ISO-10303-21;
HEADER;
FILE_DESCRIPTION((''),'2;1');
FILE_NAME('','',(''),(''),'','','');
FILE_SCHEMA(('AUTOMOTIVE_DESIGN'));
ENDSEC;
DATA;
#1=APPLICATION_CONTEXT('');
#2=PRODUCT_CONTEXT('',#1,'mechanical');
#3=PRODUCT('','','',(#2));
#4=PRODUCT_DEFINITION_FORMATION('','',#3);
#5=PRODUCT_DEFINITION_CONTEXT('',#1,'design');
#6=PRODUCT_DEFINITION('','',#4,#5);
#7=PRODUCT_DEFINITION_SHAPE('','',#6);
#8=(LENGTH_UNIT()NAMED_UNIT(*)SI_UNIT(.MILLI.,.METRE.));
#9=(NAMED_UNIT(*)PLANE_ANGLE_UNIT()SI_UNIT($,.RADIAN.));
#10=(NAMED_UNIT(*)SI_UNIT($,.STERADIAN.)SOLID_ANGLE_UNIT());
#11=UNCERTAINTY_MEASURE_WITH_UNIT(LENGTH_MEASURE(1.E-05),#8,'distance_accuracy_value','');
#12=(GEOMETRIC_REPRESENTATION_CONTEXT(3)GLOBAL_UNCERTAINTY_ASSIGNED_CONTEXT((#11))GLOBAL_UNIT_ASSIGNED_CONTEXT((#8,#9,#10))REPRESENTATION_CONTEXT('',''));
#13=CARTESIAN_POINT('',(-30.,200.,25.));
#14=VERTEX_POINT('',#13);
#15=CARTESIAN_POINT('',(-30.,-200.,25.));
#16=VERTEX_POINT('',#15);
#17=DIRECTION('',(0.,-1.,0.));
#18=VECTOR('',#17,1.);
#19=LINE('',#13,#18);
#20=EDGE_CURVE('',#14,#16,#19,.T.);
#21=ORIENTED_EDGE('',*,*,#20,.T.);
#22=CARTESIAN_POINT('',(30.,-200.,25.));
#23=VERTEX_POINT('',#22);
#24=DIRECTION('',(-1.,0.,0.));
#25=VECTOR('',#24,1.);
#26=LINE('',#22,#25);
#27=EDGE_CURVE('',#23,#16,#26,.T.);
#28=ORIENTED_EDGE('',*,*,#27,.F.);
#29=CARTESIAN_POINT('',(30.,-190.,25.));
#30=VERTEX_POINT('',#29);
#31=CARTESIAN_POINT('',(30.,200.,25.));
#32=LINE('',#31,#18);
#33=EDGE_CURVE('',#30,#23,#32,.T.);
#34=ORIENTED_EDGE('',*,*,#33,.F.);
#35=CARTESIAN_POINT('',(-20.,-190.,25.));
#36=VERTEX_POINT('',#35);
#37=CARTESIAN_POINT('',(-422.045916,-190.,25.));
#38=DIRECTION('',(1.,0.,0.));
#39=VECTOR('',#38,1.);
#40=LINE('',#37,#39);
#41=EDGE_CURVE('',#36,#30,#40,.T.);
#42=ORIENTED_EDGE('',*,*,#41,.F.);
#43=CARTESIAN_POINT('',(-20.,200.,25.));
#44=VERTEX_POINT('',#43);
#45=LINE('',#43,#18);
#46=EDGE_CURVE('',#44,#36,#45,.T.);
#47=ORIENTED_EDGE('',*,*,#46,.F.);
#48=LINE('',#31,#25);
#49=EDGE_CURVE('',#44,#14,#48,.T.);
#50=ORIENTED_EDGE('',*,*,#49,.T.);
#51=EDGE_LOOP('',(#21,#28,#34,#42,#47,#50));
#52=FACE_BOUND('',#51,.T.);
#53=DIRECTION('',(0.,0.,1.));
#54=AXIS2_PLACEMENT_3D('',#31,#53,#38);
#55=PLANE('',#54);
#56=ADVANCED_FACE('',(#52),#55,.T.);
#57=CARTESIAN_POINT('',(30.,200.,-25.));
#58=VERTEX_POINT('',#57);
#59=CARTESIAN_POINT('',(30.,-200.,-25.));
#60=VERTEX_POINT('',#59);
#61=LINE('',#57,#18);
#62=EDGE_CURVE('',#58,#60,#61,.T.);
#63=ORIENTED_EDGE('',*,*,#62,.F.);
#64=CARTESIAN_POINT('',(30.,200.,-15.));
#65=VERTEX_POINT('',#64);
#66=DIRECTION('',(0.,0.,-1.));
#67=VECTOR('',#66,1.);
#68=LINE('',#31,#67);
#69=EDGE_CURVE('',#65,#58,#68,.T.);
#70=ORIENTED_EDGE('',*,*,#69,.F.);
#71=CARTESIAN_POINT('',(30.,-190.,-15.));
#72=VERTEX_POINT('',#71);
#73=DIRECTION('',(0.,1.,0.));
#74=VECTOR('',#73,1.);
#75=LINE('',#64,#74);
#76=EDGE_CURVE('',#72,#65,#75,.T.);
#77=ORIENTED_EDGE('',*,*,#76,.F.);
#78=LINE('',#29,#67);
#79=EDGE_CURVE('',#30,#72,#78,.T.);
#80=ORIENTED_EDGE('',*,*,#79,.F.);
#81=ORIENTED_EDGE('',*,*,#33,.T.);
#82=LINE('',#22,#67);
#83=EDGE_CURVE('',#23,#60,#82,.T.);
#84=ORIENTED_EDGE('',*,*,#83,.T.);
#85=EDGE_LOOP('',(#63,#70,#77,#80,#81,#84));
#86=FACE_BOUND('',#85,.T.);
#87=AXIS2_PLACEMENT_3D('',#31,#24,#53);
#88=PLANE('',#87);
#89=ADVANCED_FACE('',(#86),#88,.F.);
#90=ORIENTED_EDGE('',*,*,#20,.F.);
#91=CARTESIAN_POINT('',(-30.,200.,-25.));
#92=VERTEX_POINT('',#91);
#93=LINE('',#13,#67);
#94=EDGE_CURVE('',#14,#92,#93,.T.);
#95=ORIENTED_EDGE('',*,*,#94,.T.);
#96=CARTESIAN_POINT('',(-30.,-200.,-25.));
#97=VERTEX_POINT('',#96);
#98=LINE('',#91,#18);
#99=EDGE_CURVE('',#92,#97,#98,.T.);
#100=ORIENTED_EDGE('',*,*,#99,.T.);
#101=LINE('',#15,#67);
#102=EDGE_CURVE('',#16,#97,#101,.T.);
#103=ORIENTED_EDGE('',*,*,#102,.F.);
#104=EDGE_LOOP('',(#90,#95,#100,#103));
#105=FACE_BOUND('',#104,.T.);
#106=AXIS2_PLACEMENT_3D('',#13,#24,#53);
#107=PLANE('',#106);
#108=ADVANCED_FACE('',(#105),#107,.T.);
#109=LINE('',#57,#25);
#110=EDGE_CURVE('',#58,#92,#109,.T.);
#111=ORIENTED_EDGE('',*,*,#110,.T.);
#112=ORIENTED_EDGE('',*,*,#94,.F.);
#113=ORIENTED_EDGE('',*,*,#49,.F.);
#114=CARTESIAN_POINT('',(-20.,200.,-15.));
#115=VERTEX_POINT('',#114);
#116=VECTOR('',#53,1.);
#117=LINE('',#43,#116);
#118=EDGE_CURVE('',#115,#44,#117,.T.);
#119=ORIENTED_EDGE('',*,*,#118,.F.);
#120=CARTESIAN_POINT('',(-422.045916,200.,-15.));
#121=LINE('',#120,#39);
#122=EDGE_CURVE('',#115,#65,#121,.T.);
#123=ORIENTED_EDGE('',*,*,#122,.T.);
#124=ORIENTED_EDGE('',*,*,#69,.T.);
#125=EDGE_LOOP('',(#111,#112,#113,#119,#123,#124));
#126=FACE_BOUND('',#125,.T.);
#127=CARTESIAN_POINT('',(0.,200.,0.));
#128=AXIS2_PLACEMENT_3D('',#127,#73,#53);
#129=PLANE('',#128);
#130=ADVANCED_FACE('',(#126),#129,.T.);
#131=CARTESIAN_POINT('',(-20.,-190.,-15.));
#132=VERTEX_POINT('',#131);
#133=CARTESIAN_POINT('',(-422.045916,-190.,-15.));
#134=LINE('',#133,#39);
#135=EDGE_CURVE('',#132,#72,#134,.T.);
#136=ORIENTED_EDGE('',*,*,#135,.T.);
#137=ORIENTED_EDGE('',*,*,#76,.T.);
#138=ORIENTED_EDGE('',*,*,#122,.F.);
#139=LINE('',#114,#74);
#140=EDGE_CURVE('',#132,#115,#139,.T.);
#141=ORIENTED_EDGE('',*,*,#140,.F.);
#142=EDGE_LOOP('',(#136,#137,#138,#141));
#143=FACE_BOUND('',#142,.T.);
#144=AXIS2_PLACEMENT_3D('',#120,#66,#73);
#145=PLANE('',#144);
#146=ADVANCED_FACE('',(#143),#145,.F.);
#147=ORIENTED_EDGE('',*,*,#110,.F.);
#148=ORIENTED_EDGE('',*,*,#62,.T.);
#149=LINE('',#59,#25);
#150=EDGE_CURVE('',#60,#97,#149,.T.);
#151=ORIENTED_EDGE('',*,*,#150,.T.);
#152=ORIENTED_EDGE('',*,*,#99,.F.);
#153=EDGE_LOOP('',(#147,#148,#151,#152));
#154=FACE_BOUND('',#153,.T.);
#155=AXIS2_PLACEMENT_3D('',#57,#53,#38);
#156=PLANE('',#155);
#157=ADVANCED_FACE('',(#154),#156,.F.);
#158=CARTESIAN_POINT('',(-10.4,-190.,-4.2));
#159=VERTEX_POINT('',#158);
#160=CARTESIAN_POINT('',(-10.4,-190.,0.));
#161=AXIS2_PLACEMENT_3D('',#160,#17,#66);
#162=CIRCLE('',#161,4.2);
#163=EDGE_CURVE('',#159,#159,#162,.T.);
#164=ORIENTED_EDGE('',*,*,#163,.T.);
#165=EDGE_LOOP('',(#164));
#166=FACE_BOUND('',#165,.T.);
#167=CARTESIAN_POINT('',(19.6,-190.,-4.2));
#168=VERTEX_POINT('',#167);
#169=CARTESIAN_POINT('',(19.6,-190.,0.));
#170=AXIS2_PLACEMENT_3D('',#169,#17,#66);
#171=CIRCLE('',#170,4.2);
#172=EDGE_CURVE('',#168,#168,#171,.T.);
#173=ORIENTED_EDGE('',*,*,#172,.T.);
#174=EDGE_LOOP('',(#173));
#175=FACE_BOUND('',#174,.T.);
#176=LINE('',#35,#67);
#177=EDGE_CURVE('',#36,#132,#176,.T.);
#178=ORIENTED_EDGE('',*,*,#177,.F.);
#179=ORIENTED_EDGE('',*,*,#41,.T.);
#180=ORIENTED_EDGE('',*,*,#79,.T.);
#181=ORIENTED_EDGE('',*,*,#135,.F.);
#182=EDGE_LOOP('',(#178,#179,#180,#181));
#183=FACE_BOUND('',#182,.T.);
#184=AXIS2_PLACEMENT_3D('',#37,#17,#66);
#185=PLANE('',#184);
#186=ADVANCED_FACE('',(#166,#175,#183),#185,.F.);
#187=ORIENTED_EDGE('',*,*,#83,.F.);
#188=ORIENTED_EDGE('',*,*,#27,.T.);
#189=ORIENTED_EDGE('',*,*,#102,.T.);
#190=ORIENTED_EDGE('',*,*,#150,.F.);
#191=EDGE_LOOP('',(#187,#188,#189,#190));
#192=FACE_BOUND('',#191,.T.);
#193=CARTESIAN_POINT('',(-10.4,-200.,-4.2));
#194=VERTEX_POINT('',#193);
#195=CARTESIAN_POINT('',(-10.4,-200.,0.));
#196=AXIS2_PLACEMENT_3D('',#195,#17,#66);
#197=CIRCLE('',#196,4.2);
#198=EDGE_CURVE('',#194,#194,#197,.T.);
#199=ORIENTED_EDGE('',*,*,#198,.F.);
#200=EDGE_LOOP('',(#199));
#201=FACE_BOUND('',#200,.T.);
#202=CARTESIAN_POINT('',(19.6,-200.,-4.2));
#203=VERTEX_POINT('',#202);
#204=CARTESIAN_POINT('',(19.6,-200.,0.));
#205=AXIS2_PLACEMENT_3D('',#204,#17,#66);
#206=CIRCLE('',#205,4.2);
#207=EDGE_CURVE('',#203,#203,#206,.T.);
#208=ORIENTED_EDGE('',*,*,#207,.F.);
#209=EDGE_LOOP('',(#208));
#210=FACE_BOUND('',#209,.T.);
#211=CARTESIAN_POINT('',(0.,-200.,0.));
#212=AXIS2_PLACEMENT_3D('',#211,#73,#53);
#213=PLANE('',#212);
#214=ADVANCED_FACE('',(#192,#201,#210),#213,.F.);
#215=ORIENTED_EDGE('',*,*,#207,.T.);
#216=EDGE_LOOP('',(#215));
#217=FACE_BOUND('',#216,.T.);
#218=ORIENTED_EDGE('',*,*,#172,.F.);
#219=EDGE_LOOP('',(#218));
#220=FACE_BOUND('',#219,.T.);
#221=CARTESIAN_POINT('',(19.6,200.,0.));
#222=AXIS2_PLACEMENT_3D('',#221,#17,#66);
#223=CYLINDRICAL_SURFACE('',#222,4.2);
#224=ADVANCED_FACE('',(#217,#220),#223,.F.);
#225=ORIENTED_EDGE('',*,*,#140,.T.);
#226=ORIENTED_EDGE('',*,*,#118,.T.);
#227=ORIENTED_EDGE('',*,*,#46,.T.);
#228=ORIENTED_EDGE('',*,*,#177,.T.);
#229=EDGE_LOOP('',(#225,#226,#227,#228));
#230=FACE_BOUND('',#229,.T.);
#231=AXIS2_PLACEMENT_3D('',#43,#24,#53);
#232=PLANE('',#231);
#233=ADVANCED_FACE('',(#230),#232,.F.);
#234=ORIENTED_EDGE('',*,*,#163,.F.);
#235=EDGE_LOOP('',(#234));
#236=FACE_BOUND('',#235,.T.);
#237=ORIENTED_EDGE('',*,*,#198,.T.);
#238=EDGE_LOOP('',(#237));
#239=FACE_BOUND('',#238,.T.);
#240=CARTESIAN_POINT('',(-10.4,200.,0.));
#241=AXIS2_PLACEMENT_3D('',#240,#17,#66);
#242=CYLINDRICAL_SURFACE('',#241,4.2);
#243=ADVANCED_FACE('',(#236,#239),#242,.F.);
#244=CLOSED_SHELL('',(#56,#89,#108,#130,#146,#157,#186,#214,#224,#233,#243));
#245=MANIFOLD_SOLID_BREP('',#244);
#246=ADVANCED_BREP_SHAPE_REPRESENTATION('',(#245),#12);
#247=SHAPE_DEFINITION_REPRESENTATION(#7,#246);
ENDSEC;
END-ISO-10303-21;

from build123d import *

# Parameters (mm, degrees)
SKETCH1_W           = 60
SKETCH1_H           = 50
BOSS_EXTRUDE1_DEPTH = 200
SKETCH2_W           = 40
SKETCH2_H           = 390
CUT_EXTRUDE1_DEPTH  = 50
SKETCH4_R           = 4.2
CUT_EXTRUDE3_DEPTH  = 402.901729282


with BuildPart() as part:
    # Sketch1 → Boss-Extrude1 (new, symmetric)
    with BuildSketch(Plane(origin=(0, 0, 0), x_dir=(1, 0, 0), z_dir=(0, 1, 0))):
        Rectangle(SKETCH1_W, SKETCH1_H)
    extrude(amount=BOSS_EXTRUDE1_DEPTH, both=True)

    # Sketch2 → Cut-Extrude1 (cut)
    with BuildSketch(Plane(origin=(30, 0, 0), x_dir=(0, 0, -1), z_dir=(1, 0, 0))):
        with Locations((-5, 5)):
            Rectangle(SKETCH2_W, SKETCH2_H)
    extrude(amount=-CUT_EXTRUDE1_DEPTH, mode=Mode.SUBTRACT)

    # Sketch4 → Cut-Extrude3 (cut, through all)
    with BuildSketch(Plane.XZ.offset(200)):
        with Locations(Location((-10.4, 0, 0), (0, 0, 270))):
            Circle(SKETCH4_R)
        with Locations(Location((19.6, 0, 0), (0, 0, 270))):
            Circle(SKETCH4_R)
    extrude(amount=-CUT_EXTRUDE3_DEPTH, mode=Mode.SUBTRACT)


solid = part.part
